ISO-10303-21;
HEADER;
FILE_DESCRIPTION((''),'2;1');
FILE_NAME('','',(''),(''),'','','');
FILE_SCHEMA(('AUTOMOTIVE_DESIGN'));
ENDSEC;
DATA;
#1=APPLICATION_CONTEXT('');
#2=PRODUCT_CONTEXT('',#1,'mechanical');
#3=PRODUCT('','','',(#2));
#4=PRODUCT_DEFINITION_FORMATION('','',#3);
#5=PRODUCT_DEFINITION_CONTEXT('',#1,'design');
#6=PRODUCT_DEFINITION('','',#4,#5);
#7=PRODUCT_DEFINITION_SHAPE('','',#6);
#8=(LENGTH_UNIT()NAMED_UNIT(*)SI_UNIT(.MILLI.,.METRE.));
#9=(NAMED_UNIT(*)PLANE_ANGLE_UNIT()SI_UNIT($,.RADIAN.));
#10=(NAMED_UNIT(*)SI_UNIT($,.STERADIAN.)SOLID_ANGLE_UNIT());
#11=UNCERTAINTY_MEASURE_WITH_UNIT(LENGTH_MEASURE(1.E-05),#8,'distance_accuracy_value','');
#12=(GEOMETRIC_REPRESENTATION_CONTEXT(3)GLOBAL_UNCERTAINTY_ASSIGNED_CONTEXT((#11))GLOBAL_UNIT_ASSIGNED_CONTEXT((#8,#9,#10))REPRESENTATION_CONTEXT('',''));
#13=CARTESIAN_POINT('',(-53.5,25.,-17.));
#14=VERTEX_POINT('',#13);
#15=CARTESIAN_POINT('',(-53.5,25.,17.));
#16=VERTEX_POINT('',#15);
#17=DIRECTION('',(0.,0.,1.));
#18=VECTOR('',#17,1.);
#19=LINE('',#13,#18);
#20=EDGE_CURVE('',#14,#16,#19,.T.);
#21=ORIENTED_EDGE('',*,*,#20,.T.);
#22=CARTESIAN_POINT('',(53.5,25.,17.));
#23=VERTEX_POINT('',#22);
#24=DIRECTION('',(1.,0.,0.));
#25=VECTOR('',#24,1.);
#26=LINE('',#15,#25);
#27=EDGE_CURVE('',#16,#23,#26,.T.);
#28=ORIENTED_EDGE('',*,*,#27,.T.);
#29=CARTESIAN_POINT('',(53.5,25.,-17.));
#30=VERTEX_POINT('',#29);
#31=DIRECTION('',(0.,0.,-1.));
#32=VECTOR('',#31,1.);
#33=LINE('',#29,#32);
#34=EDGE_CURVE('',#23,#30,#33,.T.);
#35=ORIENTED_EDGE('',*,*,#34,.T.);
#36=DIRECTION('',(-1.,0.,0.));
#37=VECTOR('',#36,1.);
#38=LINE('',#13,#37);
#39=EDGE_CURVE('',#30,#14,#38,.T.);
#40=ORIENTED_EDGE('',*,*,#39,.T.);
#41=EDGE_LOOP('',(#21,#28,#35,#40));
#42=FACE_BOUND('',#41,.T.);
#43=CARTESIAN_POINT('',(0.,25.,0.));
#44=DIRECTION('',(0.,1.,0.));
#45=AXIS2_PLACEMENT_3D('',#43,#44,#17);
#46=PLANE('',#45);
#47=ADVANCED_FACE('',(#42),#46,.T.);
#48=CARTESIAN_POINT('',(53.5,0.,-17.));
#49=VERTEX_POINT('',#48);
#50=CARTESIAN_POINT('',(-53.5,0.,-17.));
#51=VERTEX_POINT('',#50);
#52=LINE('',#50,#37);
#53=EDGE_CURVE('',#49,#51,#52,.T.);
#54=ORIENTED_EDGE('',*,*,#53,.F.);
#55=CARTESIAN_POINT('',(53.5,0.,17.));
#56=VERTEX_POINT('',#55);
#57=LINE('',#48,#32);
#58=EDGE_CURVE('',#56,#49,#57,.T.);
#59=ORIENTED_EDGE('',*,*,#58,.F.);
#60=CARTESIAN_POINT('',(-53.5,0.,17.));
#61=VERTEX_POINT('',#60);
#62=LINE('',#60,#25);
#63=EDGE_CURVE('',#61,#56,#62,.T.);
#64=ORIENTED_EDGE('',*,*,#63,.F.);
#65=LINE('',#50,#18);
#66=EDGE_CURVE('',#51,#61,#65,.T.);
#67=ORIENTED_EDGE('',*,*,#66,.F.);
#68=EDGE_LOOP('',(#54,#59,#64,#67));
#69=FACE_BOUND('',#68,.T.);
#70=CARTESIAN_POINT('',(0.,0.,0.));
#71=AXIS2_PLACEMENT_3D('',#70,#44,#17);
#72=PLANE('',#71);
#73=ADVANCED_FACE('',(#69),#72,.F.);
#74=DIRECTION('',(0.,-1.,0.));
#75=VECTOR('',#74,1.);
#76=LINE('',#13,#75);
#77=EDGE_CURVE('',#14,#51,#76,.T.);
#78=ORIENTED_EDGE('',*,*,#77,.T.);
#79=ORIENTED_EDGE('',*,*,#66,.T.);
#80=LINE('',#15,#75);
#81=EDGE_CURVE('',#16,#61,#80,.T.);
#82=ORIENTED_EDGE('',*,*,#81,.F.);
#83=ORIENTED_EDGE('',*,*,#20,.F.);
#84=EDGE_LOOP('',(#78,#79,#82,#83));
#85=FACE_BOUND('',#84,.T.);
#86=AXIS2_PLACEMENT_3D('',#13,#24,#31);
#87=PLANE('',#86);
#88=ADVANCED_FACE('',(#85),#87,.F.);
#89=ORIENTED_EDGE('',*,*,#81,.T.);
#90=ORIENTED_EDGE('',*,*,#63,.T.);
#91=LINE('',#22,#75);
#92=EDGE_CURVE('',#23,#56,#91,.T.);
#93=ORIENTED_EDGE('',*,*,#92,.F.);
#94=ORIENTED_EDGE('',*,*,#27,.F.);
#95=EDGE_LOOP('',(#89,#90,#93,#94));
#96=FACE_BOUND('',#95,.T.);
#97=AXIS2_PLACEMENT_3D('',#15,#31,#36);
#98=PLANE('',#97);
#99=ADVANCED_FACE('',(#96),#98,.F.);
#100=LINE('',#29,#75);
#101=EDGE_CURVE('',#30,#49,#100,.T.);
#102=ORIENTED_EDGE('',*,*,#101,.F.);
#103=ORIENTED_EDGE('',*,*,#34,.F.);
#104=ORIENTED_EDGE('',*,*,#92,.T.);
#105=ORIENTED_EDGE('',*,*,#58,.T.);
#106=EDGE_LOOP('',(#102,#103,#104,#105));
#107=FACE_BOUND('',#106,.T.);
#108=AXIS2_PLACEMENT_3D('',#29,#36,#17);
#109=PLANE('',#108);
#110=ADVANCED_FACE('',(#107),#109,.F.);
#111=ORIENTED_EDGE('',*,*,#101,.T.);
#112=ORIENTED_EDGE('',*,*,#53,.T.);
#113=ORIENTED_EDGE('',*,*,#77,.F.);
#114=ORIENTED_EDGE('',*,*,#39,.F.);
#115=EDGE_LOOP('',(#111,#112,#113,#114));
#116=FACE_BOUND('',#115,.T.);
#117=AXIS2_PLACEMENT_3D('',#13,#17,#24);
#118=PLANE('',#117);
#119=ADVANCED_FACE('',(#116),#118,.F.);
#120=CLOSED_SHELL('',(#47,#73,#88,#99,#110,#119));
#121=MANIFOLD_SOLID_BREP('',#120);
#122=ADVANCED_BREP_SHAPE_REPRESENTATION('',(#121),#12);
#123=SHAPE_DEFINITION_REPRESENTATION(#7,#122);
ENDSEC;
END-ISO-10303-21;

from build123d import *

# Parameters (mm, degrees)
SKETCH1_W           = 107
SKETCH1_H           = 34
BOSS_EXTRUDE1_DEPTH = 25


with BuildPart() as part:
    # Sketch1 → Boss-Extrude1 (new body)
    with BuildSketch(Plane(origin=(0, 0, 0), x_dir=(1, 0, 0), z_dir=(0, 1, 0))):
        Rectangle(SKETCH1_W, SKETCH1_H)
    extrude(amount=BOSS_EXTRUDE1_DEPTH)


solid = part.part
